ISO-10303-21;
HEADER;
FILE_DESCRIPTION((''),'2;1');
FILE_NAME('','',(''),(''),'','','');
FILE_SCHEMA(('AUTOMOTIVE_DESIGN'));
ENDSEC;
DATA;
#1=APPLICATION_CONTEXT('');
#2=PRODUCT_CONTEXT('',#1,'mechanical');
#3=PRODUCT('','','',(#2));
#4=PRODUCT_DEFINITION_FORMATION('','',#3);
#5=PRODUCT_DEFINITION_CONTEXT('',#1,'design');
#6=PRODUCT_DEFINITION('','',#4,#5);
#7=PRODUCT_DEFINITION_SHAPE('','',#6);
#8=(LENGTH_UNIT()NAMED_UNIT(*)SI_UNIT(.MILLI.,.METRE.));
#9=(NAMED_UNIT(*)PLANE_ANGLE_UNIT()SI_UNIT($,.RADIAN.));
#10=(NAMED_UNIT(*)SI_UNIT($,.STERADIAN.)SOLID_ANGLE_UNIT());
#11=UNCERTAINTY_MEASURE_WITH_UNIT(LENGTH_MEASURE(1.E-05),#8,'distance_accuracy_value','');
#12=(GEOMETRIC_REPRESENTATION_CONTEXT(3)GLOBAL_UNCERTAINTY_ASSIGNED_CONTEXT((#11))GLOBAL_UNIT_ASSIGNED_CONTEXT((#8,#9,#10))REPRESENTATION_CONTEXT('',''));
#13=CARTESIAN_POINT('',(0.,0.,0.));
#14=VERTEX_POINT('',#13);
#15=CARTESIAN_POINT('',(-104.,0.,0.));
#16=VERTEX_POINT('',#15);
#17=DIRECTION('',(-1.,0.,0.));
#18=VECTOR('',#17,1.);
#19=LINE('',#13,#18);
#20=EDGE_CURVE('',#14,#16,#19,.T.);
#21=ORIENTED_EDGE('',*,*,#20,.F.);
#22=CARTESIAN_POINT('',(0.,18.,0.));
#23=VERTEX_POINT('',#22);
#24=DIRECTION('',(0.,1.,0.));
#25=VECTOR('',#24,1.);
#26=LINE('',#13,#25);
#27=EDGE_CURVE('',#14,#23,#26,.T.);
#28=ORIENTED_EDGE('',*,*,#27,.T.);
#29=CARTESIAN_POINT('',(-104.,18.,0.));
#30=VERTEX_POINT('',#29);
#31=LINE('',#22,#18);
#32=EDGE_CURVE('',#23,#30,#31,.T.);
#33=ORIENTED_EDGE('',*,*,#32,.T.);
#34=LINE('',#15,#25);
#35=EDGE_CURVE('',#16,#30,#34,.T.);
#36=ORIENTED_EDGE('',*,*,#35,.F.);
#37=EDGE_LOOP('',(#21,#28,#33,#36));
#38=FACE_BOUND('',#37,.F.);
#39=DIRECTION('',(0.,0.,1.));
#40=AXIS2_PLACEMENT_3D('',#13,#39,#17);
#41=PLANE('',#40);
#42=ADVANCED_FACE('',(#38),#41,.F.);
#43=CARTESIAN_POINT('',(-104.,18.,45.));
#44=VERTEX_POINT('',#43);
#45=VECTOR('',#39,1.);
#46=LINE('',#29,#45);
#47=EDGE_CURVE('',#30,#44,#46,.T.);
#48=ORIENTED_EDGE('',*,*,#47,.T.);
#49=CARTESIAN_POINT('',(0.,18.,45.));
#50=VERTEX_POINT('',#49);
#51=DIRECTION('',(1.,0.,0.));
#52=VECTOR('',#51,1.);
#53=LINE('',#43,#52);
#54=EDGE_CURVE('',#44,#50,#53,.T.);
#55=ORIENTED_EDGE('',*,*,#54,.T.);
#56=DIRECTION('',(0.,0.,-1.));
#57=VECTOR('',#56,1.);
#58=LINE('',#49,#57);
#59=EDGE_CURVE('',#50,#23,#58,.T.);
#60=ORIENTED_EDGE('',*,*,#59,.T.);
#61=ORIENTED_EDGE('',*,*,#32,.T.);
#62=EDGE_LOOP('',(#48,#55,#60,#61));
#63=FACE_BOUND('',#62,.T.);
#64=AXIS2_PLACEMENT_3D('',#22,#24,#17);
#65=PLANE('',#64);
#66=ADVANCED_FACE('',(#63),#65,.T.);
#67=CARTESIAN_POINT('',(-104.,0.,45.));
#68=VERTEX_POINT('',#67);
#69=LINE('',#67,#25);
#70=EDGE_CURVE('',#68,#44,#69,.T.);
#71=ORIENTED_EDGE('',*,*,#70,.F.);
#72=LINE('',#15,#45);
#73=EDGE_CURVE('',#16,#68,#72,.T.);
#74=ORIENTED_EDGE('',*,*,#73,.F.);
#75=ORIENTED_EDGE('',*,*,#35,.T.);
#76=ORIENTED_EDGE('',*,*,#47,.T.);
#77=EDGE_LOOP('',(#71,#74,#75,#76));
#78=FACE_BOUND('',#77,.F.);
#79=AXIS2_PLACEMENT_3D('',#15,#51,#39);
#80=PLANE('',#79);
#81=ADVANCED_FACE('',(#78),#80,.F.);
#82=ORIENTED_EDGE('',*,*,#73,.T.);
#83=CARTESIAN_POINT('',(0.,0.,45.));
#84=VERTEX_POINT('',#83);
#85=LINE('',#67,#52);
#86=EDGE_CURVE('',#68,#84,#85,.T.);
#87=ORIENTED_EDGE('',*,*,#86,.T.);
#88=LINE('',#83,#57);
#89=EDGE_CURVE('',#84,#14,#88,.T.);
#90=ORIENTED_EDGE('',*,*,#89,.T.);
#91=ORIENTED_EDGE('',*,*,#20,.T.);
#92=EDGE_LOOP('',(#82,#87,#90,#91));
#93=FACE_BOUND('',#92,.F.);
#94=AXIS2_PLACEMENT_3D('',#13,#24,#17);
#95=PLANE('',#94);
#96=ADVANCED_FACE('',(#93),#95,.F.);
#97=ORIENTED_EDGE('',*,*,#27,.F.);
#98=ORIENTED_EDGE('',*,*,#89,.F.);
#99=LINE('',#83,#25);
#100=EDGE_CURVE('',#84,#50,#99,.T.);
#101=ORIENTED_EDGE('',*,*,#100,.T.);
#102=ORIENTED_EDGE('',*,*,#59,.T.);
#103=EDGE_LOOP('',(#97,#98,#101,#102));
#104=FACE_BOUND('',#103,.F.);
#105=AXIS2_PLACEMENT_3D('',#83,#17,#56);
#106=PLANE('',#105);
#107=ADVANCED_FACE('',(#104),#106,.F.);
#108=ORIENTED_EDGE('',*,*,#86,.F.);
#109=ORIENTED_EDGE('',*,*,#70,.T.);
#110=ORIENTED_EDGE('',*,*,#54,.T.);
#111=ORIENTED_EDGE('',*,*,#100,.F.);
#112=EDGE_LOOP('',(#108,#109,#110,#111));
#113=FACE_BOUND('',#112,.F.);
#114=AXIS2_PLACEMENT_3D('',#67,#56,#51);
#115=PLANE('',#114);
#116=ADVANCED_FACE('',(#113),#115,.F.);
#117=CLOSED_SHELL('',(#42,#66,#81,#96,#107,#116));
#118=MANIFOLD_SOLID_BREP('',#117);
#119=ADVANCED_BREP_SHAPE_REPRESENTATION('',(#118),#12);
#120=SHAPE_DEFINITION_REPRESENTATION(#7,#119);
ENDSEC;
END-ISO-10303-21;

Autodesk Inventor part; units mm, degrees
ref_plane "YZ Plane" through (0, 0, 0) normal (1, 0, 0) x (0, 1, 0)
ref_plane "XZ Plane" through (0, 0, 0) normal (0, 1, 0) x (-1, 0, 0)
ref_plane "XY Plane" through (0, 0, 0) normal (0, 0, 1) x (1, 0, 0)
sketch "Skizze1" plane through (0, 0, 0) normal (0, 1, 0) x (-1, 0, 0)
  line L0 (0, 0) -> (104, 0)
  line L1 (104, 0) -> (104, 45)
  line L2 (104, 45) -> (0, 45)
  line L3 (0, 45) -> (0, 0)
  dimension "d0" = 104
  dimension "d1" = 45
extrude "Extrusion1" add sketch "Skizze1" along normal blind 18
sketch "Skizze2" plane through (-104, 0, 45) normal (0, 0, 1) x (1, 0, 0)
  point P0 (107, 9)
sketch "Skizze3" plane through (-104, 0, 45) normal (0, 0, 1) x (1, 0, 0)
  point P0 (107, 9)
properties part number "Seitenteil_links_rechts" material "Eiche, weiß"
